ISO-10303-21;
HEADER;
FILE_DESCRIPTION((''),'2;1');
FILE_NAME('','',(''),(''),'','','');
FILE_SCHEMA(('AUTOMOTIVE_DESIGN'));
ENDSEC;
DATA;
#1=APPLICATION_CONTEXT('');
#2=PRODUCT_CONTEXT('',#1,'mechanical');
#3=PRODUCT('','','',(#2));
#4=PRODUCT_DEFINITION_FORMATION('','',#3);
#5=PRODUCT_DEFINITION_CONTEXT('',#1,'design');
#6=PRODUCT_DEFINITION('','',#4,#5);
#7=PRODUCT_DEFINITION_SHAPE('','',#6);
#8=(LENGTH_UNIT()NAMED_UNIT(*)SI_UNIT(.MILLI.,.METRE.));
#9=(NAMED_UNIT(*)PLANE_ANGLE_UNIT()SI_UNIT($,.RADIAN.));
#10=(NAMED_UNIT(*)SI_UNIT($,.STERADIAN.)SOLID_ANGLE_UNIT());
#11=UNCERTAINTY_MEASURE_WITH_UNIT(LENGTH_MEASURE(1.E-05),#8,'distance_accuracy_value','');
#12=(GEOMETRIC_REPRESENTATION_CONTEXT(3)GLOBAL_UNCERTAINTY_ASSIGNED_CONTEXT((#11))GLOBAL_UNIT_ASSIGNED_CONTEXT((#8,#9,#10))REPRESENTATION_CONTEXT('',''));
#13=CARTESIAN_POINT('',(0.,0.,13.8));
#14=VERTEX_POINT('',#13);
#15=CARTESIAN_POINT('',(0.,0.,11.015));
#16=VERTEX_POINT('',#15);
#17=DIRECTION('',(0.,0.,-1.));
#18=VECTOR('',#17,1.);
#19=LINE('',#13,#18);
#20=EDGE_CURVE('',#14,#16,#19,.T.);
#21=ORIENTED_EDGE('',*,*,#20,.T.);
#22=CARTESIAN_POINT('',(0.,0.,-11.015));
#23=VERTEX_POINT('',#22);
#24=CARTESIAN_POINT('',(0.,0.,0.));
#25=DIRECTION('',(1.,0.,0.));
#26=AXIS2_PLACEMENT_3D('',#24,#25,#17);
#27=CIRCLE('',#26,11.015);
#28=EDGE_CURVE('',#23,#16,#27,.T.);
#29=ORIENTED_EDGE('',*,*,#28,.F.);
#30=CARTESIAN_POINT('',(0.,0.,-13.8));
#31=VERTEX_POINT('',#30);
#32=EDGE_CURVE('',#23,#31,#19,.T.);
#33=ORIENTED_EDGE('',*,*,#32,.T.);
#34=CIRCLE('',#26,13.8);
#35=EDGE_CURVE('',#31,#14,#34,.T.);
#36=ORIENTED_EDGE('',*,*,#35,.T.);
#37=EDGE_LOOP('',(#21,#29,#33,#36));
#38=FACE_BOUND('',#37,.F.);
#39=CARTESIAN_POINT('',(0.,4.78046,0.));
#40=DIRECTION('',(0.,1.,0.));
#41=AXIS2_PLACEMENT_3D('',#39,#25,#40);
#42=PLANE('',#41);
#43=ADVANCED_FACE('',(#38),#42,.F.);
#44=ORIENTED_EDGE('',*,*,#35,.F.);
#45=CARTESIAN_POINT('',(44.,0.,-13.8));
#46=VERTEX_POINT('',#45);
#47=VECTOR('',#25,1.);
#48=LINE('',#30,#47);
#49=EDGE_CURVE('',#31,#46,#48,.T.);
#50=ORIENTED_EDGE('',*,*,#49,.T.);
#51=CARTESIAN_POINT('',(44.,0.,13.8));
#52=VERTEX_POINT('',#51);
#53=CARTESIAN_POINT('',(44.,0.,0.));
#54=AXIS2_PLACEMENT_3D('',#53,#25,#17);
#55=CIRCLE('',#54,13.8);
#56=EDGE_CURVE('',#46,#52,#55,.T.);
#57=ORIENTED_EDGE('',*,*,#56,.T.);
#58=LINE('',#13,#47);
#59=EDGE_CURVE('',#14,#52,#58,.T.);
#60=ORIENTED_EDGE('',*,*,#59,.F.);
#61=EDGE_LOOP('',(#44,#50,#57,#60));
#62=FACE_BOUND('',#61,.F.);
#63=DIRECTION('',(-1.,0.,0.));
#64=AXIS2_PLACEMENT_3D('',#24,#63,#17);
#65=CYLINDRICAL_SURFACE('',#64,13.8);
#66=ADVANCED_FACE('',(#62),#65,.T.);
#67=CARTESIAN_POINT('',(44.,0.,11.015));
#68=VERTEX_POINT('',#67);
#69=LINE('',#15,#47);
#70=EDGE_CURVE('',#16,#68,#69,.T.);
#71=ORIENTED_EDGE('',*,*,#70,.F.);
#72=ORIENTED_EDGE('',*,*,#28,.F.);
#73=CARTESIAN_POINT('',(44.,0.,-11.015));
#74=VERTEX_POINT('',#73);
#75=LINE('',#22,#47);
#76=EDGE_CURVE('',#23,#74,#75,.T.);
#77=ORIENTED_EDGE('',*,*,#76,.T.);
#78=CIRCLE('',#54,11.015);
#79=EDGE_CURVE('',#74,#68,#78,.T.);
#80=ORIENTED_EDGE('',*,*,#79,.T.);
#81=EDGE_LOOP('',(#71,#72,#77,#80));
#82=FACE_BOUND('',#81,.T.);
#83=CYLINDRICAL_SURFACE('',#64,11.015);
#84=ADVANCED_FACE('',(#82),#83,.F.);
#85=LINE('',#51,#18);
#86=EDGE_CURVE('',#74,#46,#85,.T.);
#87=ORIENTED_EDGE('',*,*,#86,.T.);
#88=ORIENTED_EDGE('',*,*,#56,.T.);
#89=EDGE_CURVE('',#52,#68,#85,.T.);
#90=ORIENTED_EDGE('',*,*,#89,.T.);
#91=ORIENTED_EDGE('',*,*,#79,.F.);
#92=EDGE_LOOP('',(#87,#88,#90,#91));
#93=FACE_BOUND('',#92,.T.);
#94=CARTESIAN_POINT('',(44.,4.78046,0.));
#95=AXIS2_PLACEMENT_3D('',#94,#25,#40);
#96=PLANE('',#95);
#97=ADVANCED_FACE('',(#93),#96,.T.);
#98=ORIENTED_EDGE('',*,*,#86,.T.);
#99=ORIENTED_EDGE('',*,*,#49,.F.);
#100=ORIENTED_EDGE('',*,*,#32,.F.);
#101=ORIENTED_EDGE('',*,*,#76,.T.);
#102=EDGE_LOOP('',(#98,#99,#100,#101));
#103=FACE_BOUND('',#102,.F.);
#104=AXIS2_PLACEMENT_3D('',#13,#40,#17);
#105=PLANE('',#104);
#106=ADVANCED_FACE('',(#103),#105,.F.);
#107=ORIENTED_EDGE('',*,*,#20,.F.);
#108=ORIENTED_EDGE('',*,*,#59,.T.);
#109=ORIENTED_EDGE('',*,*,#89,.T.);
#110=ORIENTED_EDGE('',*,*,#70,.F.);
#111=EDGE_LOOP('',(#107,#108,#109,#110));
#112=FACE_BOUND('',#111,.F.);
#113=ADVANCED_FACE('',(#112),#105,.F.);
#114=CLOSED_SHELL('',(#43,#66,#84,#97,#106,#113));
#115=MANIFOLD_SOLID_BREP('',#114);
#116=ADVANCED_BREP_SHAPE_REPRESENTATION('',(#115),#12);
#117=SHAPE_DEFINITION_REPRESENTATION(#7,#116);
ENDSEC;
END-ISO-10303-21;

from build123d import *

# Parameters (mm, degrees)
F1_DEPTH = 44
F3_DEPTH = 44


with BuildPart() as f1:
    # F0 (on Right) → F1 (new body)
    with BuildSketch(Plane.YZ):
        with BuildLine():
            Line((0, 13.8), (0, -13.8))
            ThreePointArc((0, -13.8), (13.8, 0), (0, 13.8))
        make_face()
    extrude(amount=F1_DEPTH)

    # F2 (on Right) → F3 (cut)
    with BuildSketch(Plane.YZ):
        with BuildLine():
            Line((0, 11.015), (0, -11.015))
            ThreePointArc((0, -11.015), (11.015, 0), (0, 11.015))
        make_face()
    extrude(amount=F3_DEPTH, mode=Mode.SUBTRACT)


solid = f1.part
